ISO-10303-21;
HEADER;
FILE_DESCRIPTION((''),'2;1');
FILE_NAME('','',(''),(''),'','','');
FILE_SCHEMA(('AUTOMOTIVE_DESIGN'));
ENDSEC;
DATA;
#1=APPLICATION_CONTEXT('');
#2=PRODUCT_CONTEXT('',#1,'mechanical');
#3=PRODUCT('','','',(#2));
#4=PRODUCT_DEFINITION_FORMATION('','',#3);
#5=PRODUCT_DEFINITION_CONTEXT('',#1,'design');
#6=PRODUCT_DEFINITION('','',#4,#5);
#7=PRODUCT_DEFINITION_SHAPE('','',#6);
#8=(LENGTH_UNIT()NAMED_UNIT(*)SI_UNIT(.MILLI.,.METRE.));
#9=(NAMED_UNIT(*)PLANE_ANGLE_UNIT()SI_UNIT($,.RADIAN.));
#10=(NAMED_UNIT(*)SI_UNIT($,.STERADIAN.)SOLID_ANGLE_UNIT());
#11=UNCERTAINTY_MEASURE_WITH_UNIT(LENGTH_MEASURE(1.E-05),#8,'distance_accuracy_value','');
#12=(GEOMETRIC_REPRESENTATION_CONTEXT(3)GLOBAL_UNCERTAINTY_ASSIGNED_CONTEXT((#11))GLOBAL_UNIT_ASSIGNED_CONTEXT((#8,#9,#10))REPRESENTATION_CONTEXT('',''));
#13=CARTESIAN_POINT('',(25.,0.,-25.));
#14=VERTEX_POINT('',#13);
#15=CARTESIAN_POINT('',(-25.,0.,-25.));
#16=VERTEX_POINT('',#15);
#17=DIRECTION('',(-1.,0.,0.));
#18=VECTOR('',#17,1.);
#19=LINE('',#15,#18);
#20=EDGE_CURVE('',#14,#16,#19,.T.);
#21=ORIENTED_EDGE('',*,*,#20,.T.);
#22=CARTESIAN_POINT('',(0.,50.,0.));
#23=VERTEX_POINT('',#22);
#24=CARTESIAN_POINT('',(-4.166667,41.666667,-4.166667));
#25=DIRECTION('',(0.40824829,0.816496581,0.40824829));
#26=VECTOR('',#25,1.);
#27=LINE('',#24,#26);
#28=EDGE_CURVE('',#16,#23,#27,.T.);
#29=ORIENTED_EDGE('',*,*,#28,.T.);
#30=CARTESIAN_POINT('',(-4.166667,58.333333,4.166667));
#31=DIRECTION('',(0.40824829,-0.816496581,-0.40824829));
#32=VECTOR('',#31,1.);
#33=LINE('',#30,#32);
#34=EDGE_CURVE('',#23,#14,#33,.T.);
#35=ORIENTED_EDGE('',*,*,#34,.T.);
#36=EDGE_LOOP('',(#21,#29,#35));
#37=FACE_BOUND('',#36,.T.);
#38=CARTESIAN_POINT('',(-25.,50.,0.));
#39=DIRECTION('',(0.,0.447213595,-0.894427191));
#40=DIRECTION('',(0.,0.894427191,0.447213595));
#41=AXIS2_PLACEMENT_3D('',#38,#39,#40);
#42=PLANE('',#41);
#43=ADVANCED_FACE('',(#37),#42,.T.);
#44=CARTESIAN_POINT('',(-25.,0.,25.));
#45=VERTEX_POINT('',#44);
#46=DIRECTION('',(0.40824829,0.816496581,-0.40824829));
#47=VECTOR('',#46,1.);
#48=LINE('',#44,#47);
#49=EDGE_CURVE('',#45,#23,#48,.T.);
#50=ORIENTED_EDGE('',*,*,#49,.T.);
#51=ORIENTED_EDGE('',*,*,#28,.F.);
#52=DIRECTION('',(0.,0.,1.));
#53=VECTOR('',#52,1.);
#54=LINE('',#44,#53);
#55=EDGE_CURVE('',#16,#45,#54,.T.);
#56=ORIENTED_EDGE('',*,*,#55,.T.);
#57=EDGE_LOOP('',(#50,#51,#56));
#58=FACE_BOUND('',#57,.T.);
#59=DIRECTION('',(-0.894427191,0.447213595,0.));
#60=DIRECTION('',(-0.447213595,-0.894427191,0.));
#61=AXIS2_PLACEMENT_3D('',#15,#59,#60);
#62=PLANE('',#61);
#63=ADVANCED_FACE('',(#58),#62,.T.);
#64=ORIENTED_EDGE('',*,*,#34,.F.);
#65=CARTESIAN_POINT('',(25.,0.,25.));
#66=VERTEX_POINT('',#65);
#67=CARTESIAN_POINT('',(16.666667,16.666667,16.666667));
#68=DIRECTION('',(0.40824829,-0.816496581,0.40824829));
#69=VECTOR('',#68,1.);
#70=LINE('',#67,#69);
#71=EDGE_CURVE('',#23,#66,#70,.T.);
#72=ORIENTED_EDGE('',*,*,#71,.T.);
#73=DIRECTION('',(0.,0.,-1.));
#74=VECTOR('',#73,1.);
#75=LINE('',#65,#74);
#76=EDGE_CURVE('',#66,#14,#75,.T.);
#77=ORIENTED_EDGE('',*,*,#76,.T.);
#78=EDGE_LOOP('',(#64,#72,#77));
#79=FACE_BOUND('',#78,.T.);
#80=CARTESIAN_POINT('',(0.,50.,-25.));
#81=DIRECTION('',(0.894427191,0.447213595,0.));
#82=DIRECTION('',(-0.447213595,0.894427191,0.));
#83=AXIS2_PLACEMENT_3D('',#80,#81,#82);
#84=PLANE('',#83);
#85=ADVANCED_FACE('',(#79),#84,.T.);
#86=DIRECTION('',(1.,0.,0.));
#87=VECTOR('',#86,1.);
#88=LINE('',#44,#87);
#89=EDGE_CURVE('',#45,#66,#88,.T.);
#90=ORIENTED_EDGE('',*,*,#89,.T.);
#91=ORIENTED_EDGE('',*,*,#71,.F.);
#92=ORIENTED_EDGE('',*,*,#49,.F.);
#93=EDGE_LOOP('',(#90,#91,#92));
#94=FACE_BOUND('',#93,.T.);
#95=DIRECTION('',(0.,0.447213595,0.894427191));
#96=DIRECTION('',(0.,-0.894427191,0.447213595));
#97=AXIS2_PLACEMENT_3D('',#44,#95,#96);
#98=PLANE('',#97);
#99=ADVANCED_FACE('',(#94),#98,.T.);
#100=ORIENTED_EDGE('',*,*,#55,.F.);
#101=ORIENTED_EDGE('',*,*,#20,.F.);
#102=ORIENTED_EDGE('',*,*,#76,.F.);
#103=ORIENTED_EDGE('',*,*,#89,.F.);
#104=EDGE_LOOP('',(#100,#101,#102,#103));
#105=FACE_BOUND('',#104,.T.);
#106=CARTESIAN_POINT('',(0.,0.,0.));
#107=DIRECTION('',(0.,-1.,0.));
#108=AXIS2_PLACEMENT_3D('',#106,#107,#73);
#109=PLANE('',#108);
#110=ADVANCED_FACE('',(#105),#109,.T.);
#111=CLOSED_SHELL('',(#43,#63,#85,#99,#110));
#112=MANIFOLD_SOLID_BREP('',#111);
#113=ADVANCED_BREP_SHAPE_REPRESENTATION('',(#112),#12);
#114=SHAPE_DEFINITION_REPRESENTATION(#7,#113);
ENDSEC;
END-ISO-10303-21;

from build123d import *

# Parameters (mm, degrees)
SKETCH1_W           = 50
SKETCH1_H           = 50
BOSS_EXTRUDE1_DEPTH = 50
SKETCH4_OUTSIDE_W   = 69.32
SKETCH4_OUTSIDE_H   = 69.32
CUT_EXTRUDE3_DEPTH  = 62.23724357
SKETCH5_OUTSIDE_W   = 69.32
SKETCH5_OUTSIDE_H   = 69.32
CUT_EXTRUDE4_DEPTH  = 62.23724357
SKETCH6_OUTSIDE_W   = 69.32
SKETCH6_OUTSIDE_H   = 69.32
CUT_EXTRUDE5_DEPTH  = 62.23724357
SKETCH7_OUTSIDE_W   = 69.32
SKETCH7_OUTSIDE_H   = 69.32
CUT_EXTRUDE6_DEPTH  = 62.23724357


with BuildPart() as part:
    # Sketch1 → Boss-Extrude1 (new body)
    with BuildSketch(Plane(origin=(0, 0, 0), x_dir=(1, 0, 0), z_dir=(0, 1, 0))):
        Rectangle(SKETCH1_W, SKETCH1_H)
    extrude(amount=BOSS_EXTRUDE1_DEPTH)

    # Sketch4 outside → Cut-Extrude3 (cut, through all)
    with BuildSketch(Plane(origin=(0, 0, 0), x_dir=(0, 0, -1), z_dir=(1, 0, 0))):
        with Locations((0, 25)):
            Rectangle(SKETCH4_OUTSIDE_W, SKETCH4_OUTSIDE_H)
        Polygon((-25, 0), (0, 50), (25, 0), align=None, mode=Mode.SUBTRACT)
    extrude(amount=-CUT_EXTRUDE3_DEPTH, mode=Mode.SUBTRACT)

    # Sketch5 outside → Cut-Extrude4 (cut, through all)
    with BuildSketch(Plane(origin=(0, 0, 0), x_dir=(0, 0, -1), z_dir=(1, 0, 0))):
        with Locations((0, 25)):
            Rectangle(SKETCH5_OUTSIDE_W, SKETCH5_OUTSIDE_H)
        Polygon((-25, 0), (0, 50), (25, 0), align=None, mode=Mode.SUBTRACT)
    extrude(amount=CUT_EXTRUDE4_DEPTH, mode=Mode.SUBTRACT)

    # Sketch6 outside → Cut-Extrude5 (cut, through all)
    with BuildSketch(Plane.XY):
        with Locations((0, 25)):
            Rectangle(SKETCH6_OUTSIDE_W, SKETCH6_OUTSIDE_H)
        Polygon((-25, 0), (0, 50), (25, 0), align=None, mode=Mode.SUBTRACT)
    extrude(amount=-CUT_EXTRUDE5_DEPTH, mode=Mode.SUBTRACT)

    # Sketch7 outside → Cut-Extrude6 (cut, through all)
    with BuildSketch(Plane.XY):
        with Locations((0, 25)):
            Rectangle(SKETCH7_OUTSIDE_W, SKETCH7_OUTSIDE_H)
        Polygon((-25, 0), (0, 50), (25, 0), align=None, mode=Mode.SUBTRACT)
    extrude(amount=CUT_EXTRUDE6_DEPTH, mode=Mode.SUBTRACT)


solid = part.part
